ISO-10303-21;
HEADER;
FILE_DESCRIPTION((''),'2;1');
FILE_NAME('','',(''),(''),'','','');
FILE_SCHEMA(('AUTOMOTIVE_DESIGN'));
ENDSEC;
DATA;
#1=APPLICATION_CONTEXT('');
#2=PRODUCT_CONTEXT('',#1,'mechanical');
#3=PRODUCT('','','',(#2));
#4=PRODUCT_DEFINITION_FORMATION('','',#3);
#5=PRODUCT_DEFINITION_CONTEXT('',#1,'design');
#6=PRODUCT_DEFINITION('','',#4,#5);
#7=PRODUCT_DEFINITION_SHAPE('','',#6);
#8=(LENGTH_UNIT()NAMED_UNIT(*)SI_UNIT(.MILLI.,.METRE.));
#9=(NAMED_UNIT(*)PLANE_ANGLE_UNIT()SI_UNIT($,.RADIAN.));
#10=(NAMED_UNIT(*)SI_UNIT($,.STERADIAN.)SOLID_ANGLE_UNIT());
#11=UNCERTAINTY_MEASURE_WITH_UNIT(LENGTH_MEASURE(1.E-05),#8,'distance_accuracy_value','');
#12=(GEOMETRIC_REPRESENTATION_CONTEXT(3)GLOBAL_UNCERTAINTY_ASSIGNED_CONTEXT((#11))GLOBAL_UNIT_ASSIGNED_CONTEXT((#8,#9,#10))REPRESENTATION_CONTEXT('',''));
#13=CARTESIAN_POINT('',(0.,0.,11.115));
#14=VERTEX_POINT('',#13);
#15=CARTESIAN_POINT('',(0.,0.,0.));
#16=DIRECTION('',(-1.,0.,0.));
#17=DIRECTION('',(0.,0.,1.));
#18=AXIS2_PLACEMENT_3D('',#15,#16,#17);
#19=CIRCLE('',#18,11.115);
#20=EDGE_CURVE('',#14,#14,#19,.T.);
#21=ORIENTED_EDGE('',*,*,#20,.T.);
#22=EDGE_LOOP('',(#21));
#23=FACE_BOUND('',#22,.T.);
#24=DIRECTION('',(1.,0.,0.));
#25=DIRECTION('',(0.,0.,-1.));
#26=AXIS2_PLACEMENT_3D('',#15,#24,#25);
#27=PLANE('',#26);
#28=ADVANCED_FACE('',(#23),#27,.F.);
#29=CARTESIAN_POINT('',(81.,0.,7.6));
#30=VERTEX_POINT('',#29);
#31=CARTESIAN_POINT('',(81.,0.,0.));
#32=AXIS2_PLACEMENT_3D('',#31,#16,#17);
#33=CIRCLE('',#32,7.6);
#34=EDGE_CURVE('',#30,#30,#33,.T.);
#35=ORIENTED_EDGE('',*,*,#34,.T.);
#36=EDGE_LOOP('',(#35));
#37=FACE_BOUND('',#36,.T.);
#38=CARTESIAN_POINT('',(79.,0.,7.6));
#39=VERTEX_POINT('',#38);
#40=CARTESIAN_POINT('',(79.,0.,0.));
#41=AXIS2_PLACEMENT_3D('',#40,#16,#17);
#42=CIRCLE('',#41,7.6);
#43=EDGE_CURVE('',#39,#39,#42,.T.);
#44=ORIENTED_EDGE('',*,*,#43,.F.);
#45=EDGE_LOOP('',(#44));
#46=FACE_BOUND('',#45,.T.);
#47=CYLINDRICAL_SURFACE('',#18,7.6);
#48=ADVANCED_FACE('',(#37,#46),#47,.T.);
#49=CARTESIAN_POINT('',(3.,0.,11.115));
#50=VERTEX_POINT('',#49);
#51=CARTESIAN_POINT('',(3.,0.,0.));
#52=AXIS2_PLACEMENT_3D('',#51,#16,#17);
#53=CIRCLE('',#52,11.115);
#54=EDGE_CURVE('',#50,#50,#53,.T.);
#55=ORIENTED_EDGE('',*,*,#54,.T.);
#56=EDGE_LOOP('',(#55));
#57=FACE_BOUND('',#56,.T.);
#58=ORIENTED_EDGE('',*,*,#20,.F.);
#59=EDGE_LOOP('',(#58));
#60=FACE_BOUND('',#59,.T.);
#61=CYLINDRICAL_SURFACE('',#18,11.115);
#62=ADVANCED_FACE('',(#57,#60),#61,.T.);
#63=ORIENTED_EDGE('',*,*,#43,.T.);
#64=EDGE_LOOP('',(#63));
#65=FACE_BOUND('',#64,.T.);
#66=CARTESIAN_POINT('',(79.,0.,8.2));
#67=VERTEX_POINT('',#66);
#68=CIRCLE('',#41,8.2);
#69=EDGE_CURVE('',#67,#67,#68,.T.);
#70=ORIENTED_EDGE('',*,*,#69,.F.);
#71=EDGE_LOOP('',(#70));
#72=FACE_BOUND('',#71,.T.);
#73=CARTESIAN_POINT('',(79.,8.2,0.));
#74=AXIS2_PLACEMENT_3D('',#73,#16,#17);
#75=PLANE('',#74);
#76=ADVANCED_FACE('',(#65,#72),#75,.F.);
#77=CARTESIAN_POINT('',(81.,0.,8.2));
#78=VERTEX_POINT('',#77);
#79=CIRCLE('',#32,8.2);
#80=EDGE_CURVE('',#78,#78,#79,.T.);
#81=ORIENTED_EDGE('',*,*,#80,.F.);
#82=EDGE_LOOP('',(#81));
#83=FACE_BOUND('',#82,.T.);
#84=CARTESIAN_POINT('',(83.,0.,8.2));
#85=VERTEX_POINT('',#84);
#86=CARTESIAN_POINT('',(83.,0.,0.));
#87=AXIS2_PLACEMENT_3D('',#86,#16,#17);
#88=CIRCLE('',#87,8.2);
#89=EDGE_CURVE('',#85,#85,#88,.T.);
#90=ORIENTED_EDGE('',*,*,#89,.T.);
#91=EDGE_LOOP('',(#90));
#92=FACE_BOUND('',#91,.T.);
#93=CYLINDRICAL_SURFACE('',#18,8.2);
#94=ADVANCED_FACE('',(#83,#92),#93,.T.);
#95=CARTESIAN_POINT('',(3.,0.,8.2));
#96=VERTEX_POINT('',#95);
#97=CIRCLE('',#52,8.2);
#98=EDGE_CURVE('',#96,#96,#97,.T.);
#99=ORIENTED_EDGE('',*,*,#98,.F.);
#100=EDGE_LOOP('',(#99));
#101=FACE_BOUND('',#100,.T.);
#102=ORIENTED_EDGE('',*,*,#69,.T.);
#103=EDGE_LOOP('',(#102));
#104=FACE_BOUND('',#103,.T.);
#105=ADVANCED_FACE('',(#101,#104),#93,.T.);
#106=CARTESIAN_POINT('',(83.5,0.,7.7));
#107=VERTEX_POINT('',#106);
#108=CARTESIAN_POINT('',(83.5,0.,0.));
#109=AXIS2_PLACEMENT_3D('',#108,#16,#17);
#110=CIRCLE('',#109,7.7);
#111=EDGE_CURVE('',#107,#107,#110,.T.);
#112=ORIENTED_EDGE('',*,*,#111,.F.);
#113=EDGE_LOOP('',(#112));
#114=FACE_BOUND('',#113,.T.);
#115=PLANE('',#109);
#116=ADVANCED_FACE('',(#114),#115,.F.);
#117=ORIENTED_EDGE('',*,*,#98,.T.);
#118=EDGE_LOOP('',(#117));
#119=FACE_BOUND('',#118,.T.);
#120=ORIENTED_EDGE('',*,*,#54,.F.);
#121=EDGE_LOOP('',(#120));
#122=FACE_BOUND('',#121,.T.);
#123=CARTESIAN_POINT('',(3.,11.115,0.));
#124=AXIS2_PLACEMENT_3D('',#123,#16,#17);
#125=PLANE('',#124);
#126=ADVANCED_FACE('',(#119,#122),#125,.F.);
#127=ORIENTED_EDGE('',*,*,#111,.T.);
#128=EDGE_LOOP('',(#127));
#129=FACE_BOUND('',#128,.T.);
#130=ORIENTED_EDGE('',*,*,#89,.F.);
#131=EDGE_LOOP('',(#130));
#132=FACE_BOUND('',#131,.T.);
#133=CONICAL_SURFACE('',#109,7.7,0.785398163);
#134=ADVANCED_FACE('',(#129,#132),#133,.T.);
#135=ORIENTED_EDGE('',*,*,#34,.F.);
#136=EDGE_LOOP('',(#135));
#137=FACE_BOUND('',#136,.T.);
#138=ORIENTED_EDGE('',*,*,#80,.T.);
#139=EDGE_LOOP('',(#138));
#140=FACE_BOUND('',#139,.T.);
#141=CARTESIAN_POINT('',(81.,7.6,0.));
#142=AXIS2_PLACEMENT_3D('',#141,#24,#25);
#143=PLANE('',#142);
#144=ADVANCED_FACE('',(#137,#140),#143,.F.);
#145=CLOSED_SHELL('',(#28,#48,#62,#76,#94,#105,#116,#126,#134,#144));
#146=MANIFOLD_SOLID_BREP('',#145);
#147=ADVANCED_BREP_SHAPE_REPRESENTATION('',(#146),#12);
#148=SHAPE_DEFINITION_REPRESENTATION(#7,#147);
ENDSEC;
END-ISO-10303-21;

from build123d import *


with BuildPart() as part:
    # Croquis2 → Revolución1 (revolve)
    with BuildSketch(Plane.XY, mode=Mode.PRIVATE) as revoluci_n1_sk:
        Polygon((0, 0), (0, 11.115), (3, 11.115), (3, 8.2), (79, 8.2), (79, 7.6), (81, 7.6), (81, 8.2), (83, 8.2), (83.5, 7.7), (83.5, 0), align=None)
    revolve(revoluci_n1_sk.sketch.rotate(Axis((0, 0, 0), (1, 0, 0)), 90), axis=Axis((0, 0, 0), (1, 0, 0)))


solid = part.part
